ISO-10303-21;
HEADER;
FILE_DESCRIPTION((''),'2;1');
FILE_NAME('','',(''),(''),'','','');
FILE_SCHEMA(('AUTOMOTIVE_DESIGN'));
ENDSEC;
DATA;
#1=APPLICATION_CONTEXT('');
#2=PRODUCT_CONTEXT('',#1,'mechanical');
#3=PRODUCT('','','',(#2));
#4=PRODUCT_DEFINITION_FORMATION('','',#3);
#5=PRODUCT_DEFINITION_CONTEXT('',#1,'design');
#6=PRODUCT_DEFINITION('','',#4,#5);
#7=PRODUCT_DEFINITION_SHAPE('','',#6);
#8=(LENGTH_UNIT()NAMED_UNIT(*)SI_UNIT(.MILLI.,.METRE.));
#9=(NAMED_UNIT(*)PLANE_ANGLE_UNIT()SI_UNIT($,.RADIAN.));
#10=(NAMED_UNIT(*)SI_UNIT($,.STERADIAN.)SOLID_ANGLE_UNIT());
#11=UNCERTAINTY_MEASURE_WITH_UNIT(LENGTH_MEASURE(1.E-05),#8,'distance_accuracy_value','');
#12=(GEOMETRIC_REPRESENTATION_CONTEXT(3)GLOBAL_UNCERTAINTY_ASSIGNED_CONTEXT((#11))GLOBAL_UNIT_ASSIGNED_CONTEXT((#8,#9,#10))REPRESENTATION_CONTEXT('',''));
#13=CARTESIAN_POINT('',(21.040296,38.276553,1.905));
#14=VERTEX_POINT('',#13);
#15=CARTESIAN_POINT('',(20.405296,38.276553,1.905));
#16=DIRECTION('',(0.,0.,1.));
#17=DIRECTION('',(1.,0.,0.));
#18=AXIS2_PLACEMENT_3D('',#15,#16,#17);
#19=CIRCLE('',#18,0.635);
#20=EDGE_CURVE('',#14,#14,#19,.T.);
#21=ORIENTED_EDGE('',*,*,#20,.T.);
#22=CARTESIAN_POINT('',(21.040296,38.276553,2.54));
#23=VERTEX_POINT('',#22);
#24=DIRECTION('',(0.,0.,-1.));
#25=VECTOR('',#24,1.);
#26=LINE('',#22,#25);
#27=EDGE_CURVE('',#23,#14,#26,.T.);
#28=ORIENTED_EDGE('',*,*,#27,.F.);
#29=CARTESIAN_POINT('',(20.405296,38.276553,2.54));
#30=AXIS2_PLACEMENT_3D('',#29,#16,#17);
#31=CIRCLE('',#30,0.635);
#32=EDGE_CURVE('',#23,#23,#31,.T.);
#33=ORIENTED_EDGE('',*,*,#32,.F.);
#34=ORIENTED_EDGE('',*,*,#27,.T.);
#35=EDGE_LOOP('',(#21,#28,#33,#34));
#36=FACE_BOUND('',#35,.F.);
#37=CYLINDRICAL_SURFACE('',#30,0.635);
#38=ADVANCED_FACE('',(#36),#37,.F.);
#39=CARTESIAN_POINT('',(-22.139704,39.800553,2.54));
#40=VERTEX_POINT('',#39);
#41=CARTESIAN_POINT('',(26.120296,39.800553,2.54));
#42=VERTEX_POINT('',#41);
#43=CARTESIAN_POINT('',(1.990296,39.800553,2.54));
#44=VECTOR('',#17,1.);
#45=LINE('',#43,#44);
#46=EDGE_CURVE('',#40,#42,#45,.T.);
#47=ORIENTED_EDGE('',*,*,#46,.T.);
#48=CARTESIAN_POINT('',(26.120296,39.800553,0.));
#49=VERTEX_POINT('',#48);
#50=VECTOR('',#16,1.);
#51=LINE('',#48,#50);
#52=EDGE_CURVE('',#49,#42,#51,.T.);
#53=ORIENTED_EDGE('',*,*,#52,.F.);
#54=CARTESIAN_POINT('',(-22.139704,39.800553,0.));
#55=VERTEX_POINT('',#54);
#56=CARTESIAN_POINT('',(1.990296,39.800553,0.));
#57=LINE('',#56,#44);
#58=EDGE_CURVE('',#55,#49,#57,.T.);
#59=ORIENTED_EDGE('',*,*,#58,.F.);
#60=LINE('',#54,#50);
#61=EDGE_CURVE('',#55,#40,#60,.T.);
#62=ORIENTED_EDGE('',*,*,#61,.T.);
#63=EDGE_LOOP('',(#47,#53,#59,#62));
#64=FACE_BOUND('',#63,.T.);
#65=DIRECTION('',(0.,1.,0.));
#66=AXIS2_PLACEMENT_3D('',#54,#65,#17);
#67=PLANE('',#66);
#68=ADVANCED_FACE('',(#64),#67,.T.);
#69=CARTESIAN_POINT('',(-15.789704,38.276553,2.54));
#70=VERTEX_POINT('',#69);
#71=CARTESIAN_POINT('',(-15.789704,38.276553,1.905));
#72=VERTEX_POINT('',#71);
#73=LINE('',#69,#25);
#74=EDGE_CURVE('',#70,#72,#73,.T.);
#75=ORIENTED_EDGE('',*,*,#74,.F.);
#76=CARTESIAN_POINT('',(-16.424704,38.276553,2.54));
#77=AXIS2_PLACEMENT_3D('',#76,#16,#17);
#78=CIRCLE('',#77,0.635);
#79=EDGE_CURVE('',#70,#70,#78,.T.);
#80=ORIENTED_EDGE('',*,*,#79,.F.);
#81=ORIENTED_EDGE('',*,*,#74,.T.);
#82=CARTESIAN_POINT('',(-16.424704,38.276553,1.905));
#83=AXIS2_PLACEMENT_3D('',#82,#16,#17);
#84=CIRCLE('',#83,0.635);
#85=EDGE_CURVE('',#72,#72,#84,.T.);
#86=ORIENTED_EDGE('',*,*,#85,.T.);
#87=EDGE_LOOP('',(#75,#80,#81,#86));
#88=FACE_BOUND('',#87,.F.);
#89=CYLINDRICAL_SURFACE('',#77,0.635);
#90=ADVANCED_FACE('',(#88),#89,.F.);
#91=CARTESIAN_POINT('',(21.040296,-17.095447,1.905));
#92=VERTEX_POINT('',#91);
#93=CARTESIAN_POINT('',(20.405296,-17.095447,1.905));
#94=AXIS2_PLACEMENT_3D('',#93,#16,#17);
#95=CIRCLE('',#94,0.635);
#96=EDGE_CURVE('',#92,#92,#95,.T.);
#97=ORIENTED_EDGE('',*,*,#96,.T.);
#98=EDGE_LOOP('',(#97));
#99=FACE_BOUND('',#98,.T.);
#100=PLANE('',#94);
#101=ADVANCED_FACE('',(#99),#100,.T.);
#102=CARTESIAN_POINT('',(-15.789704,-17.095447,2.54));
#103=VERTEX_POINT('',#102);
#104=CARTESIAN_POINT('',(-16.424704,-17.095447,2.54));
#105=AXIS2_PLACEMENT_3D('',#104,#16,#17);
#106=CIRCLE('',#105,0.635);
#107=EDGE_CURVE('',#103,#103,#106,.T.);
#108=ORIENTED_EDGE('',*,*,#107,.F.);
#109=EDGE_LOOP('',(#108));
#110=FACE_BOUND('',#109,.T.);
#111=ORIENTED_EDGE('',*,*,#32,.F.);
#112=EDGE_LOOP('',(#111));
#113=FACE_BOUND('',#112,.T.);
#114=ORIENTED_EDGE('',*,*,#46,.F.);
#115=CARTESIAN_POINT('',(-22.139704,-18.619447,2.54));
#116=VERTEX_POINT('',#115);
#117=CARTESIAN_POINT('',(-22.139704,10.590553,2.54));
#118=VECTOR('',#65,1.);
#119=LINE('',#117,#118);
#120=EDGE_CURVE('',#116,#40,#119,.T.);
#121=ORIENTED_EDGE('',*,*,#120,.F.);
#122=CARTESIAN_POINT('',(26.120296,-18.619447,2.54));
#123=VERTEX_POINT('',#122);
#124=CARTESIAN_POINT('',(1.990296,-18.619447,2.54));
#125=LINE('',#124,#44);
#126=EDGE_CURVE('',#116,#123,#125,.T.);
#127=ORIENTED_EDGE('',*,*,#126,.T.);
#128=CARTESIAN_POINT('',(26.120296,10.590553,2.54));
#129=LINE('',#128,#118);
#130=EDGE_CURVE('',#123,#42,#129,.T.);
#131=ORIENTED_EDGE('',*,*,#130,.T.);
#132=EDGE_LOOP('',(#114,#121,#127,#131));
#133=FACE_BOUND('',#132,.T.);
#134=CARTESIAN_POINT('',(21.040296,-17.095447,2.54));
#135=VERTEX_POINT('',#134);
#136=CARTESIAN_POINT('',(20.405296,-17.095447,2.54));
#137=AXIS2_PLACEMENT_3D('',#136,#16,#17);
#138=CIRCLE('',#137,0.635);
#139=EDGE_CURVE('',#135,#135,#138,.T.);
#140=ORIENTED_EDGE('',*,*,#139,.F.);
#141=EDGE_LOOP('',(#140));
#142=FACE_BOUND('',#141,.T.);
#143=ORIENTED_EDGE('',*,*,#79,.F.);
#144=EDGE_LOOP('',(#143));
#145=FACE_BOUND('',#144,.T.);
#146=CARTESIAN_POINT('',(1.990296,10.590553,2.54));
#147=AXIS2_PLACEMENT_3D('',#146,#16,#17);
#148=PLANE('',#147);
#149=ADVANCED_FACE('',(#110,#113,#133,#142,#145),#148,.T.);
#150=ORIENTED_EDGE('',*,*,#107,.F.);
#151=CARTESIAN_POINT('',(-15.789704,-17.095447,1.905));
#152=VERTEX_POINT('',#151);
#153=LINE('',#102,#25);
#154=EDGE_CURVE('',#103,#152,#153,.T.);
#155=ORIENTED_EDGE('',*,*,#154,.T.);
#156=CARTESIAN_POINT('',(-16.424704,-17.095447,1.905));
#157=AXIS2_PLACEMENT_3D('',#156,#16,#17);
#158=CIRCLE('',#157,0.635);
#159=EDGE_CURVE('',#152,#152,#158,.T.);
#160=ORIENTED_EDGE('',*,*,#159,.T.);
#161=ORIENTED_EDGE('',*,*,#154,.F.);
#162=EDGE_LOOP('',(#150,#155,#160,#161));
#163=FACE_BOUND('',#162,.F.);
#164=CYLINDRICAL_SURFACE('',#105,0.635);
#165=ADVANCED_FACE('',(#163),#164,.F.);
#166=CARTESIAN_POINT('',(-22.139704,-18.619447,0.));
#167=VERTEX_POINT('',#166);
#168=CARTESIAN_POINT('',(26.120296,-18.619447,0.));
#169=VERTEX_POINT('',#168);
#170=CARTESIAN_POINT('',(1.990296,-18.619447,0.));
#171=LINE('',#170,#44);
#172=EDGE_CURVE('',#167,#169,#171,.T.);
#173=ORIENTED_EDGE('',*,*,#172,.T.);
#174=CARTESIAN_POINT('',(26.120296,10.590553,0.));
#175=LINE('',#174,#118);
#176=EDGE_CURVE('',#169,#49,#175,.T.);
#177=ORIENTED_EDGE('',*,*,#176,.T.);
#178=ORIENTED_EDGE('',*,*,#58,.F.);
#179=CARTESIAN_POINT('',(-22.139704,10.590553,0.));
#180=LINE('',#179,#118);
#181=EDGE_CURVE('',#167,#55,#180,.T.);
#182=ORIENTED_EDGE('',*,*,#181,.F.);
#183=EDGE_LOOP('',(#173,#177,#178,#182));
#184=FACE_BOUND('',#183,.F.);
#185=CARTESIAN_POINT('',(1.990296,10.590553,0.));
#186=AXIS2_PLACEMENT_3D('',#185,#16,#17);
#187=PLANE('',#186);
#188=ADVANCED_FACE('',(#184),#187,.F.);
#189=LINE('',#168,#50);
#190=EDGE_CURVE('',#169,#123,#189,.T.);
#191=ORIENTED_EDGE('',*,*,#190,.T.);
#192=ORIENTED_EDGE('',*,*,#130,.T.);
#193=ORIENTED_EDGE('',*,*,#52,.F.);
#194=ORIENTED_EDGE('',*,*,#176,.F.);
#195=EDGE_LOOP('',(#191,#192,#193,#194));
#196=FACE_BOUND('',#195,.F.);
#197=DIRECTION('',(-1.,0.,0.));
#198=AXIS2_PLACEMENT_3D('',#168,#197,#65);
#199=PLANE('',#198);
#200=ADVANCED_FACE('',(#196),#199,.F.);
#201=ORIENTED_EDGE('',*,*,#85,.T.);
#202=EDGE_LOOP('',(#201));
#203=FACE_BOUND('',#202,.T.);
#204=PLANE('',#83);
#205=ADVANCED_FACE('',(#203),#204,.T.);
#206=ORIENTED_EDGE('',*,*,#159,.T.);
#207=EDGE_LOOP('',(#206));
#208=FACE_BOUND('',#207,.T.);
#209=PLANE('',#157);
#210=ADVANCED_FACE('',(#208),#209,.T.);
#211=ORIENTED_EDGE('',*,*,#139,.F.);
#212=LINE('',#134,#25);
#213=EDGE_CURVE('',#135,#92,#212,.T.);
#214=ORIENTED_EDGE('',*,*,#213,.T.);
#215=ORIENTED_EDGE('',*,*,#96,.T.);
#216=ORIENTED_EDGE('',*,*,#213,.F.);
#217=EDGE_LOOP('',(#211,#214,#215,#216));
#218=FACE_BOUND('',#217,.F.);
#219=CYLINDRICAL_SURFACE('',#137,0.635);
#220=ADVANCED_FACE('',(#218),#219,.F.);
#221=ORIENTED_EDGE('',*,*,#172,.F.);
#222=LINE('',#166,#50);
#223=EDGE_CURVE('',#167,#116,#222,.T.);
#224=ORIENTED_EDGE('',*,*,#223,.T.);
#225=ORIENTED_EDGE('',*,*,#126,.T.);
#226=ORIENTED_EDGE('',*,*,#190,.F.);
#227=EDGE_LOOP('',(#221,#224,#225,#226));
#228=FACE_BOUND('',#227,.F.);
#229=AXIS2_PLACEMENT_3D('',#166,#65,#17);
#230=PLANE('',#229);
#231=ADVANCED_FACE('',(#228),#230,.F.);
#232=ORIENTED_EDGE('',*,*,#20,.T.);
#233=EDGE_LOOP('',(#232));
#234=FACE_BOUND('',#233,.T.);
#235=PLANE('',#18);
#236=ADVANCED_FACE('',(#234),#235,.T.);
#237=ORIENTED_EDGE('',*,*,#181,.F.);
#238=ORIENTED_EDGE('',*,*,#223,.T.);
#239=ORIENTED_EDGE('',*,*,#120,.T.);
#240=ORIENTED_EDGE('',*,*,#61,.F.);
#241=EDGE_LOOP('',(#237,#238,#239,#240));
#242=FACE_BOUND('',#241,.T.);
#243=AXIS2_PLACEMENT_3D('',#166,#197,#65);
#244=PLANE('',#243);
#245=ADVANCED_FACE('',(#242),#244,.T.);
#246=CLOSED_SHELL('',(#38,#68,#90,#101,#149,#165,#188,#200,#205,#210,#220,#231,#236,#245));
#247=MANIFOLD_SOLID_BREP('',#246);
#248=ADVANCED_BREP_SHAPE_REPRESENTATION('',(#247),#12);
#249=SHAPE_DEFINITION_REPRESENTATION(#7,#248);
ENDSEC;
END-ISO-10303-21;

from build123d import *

# Parameters (mm, degrees)
F0_W     = 48.26
F0_H     = 58.42
F1_DEPTH = 2.54
F2_R     = 0.635
F3_DEPTH = 0.635
F4_R     = 0.635
F7_DEPTH = 0.635
F6_R     = 0.635
F8_DEPTH = 0.635
F5_R     = 0.635
F9_DEPTH = 0.635


with BuildPart() as f1:
    # F0 (on Top) → F1 (new body)
    with BuildSketch(Plane.XY):
        with Locations((1.990296, 10.590553)):
            Rectangle(F0_W, F0_H)
    extrude(amount=F1_DEPTH)

    # F2 (on face) → F3 (cut)
    with BuildSketch(Plane.XY.offset(2.54)):
        with Locations((20.405296, 38.276553)):
            Circle(F2_R)
    extrude(amount=-F3_DEPTH, mode=Mode.SUBTRACT)

    # F4 (on face) → F7 (cut)
    with BuildSketch(Plane.XY.offset(2.54)):
        with Locations((-16.424704, 38.276553)):
            Circle(F4_R)
    extrude(amount=-F7_DEPTH, mode=Mode.SUBTRACT)

    # F6 (on face) → F8 (cut)
    with BuildSketch(Plane.XY.offset(2.54)):
        with Locations((20.405296, -17.095447)):
            Circle(F6_R)
    extrude(amount=-F8_DEPTH, mode=Mode.SUBTRACT)

    # F5 (on face) → F9 (cut)
    with BuildSketch(Plane.XY.offset(2.54)):
        with Locations((-16.424704, -17.095447)):
            Circle(F5_R)
    extrude(amount=-F9_DEPTH, mode=Mode.SUBTRACT)


solid = f1.part
